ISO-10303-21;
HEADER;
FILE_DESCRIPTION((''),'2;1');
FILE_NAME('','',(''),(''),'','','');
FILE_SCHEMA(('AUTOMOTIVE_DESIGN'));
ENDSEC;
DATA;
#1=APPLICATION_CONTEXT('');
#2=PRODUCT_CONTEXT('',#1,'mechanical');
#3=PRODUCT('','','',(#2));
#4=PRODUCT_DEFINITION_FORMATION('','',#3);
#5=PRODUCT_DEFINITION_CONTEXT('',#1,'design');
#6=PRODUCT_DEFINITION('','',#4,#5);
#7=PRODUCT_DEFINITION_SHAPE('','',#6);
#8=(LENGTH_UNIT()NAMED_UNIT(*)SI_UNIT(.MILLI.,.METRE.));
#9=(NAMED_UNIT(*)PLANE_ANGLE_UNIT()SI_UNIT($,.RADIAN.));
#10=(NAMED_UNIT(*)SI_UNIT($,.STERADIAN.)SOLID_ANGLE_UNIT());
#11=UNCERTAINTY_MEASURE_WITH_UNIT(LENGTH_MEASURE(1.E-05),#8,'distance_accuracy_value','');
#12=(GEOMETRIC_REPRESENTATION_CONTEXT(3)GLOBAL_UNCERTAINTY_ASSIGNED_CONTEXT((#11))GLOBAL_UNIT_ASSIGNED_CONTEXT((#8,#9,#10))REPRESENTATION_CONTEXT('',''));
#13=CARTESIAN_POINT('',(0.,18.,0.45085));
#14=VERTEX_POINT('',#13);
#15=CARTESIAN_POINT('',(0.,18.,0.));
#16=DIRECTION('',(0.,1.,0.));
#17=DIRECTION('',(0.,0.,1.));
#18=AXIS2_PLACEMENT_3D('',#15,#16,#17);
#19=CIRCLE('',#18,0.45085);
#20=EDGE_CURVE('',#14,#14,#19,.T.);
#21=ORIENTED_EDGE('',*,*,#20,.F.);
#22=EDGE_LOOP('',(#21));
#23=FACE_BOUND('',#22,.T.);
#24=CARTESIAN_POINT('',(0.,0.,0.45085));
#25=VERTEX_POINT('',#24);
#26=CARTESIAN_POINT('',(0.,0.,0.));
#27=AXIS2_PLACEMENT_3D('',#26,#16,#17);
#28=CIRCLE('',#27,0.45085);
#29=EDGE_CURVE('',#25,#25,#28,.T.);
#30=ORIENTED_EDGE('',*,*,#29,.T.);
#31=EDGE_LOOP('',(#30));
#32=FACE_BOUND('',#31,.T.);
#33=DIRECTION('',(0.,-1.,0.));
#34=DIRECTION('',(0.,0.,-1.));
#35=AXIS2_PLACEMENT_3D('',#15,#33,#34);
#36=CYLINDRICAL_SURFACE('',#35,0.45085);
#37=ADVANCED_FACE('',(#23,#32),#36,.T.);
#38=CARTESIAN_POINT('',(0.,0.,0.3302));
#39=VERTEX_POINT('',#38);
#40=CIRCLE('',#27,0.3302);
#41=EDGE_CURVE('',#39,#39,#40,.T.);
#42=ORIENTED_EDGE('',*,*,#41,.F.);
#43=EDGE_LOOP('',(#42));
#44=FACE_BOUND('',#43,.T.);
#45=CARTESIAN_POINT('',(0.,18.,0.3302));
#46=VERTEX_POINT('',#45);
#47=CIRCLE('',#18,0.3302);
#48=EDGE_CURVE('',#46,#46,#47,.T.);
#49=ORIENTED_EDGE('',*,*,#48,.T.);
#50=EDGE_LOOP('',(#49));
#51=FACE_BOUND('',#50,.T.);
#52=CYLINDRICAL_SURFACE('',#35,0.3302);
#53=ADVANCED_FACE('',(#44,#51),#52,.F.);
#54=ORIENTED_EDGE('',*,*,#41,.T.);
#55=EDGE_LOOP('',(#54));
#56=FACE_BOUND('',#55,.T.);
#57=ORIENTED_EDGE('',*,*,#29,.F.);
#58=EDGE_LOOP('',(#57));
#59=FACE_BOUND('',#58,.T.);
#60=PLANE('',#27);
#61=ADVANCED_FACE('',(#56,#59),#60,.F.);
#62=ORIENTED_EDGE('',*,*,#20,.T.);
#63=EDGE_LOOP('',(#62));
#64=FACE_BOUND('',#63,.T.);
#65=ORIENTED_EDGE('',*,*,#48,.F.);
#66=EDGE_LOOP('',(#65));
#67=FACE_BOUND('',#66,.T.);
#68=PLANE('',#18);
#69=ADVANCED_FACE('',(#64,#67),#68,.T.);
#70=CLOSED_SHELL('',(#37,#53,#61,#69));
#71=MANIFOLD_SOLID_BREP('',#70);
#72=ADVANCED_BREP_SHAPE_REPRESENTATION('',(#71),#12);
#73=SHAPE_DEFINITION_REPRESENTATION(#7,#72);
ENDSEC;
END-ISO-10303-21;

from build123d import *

# Parameters (mm, degrees)
SKETCH1_R           = 0.45085
SKETCH1_R_2         = 0.3302
BOSS_EXTRUDE1_DEPTH = 18


with BuildPart() as part:
    # Sketch1 → Boss-Extrude1 (new body)
    with BuildSketch(Plane(origin=(0, 0, 0), x_dir=(1, 0, 0), z_dir=(0, 1, 0))):
        with Locations(Location((0, 0, 0), (0, 0, 270))):
            Circle(SKETCH1_R)
        with Locations(Location((0, 0, 0), (0, 0, 270))):
            Circle(SKETCH1_R_2, mode=Mode.SUBTRACT)
    extrude(amount=BOSS_EXTRUDE1_DEPTH)


solid = part.part
